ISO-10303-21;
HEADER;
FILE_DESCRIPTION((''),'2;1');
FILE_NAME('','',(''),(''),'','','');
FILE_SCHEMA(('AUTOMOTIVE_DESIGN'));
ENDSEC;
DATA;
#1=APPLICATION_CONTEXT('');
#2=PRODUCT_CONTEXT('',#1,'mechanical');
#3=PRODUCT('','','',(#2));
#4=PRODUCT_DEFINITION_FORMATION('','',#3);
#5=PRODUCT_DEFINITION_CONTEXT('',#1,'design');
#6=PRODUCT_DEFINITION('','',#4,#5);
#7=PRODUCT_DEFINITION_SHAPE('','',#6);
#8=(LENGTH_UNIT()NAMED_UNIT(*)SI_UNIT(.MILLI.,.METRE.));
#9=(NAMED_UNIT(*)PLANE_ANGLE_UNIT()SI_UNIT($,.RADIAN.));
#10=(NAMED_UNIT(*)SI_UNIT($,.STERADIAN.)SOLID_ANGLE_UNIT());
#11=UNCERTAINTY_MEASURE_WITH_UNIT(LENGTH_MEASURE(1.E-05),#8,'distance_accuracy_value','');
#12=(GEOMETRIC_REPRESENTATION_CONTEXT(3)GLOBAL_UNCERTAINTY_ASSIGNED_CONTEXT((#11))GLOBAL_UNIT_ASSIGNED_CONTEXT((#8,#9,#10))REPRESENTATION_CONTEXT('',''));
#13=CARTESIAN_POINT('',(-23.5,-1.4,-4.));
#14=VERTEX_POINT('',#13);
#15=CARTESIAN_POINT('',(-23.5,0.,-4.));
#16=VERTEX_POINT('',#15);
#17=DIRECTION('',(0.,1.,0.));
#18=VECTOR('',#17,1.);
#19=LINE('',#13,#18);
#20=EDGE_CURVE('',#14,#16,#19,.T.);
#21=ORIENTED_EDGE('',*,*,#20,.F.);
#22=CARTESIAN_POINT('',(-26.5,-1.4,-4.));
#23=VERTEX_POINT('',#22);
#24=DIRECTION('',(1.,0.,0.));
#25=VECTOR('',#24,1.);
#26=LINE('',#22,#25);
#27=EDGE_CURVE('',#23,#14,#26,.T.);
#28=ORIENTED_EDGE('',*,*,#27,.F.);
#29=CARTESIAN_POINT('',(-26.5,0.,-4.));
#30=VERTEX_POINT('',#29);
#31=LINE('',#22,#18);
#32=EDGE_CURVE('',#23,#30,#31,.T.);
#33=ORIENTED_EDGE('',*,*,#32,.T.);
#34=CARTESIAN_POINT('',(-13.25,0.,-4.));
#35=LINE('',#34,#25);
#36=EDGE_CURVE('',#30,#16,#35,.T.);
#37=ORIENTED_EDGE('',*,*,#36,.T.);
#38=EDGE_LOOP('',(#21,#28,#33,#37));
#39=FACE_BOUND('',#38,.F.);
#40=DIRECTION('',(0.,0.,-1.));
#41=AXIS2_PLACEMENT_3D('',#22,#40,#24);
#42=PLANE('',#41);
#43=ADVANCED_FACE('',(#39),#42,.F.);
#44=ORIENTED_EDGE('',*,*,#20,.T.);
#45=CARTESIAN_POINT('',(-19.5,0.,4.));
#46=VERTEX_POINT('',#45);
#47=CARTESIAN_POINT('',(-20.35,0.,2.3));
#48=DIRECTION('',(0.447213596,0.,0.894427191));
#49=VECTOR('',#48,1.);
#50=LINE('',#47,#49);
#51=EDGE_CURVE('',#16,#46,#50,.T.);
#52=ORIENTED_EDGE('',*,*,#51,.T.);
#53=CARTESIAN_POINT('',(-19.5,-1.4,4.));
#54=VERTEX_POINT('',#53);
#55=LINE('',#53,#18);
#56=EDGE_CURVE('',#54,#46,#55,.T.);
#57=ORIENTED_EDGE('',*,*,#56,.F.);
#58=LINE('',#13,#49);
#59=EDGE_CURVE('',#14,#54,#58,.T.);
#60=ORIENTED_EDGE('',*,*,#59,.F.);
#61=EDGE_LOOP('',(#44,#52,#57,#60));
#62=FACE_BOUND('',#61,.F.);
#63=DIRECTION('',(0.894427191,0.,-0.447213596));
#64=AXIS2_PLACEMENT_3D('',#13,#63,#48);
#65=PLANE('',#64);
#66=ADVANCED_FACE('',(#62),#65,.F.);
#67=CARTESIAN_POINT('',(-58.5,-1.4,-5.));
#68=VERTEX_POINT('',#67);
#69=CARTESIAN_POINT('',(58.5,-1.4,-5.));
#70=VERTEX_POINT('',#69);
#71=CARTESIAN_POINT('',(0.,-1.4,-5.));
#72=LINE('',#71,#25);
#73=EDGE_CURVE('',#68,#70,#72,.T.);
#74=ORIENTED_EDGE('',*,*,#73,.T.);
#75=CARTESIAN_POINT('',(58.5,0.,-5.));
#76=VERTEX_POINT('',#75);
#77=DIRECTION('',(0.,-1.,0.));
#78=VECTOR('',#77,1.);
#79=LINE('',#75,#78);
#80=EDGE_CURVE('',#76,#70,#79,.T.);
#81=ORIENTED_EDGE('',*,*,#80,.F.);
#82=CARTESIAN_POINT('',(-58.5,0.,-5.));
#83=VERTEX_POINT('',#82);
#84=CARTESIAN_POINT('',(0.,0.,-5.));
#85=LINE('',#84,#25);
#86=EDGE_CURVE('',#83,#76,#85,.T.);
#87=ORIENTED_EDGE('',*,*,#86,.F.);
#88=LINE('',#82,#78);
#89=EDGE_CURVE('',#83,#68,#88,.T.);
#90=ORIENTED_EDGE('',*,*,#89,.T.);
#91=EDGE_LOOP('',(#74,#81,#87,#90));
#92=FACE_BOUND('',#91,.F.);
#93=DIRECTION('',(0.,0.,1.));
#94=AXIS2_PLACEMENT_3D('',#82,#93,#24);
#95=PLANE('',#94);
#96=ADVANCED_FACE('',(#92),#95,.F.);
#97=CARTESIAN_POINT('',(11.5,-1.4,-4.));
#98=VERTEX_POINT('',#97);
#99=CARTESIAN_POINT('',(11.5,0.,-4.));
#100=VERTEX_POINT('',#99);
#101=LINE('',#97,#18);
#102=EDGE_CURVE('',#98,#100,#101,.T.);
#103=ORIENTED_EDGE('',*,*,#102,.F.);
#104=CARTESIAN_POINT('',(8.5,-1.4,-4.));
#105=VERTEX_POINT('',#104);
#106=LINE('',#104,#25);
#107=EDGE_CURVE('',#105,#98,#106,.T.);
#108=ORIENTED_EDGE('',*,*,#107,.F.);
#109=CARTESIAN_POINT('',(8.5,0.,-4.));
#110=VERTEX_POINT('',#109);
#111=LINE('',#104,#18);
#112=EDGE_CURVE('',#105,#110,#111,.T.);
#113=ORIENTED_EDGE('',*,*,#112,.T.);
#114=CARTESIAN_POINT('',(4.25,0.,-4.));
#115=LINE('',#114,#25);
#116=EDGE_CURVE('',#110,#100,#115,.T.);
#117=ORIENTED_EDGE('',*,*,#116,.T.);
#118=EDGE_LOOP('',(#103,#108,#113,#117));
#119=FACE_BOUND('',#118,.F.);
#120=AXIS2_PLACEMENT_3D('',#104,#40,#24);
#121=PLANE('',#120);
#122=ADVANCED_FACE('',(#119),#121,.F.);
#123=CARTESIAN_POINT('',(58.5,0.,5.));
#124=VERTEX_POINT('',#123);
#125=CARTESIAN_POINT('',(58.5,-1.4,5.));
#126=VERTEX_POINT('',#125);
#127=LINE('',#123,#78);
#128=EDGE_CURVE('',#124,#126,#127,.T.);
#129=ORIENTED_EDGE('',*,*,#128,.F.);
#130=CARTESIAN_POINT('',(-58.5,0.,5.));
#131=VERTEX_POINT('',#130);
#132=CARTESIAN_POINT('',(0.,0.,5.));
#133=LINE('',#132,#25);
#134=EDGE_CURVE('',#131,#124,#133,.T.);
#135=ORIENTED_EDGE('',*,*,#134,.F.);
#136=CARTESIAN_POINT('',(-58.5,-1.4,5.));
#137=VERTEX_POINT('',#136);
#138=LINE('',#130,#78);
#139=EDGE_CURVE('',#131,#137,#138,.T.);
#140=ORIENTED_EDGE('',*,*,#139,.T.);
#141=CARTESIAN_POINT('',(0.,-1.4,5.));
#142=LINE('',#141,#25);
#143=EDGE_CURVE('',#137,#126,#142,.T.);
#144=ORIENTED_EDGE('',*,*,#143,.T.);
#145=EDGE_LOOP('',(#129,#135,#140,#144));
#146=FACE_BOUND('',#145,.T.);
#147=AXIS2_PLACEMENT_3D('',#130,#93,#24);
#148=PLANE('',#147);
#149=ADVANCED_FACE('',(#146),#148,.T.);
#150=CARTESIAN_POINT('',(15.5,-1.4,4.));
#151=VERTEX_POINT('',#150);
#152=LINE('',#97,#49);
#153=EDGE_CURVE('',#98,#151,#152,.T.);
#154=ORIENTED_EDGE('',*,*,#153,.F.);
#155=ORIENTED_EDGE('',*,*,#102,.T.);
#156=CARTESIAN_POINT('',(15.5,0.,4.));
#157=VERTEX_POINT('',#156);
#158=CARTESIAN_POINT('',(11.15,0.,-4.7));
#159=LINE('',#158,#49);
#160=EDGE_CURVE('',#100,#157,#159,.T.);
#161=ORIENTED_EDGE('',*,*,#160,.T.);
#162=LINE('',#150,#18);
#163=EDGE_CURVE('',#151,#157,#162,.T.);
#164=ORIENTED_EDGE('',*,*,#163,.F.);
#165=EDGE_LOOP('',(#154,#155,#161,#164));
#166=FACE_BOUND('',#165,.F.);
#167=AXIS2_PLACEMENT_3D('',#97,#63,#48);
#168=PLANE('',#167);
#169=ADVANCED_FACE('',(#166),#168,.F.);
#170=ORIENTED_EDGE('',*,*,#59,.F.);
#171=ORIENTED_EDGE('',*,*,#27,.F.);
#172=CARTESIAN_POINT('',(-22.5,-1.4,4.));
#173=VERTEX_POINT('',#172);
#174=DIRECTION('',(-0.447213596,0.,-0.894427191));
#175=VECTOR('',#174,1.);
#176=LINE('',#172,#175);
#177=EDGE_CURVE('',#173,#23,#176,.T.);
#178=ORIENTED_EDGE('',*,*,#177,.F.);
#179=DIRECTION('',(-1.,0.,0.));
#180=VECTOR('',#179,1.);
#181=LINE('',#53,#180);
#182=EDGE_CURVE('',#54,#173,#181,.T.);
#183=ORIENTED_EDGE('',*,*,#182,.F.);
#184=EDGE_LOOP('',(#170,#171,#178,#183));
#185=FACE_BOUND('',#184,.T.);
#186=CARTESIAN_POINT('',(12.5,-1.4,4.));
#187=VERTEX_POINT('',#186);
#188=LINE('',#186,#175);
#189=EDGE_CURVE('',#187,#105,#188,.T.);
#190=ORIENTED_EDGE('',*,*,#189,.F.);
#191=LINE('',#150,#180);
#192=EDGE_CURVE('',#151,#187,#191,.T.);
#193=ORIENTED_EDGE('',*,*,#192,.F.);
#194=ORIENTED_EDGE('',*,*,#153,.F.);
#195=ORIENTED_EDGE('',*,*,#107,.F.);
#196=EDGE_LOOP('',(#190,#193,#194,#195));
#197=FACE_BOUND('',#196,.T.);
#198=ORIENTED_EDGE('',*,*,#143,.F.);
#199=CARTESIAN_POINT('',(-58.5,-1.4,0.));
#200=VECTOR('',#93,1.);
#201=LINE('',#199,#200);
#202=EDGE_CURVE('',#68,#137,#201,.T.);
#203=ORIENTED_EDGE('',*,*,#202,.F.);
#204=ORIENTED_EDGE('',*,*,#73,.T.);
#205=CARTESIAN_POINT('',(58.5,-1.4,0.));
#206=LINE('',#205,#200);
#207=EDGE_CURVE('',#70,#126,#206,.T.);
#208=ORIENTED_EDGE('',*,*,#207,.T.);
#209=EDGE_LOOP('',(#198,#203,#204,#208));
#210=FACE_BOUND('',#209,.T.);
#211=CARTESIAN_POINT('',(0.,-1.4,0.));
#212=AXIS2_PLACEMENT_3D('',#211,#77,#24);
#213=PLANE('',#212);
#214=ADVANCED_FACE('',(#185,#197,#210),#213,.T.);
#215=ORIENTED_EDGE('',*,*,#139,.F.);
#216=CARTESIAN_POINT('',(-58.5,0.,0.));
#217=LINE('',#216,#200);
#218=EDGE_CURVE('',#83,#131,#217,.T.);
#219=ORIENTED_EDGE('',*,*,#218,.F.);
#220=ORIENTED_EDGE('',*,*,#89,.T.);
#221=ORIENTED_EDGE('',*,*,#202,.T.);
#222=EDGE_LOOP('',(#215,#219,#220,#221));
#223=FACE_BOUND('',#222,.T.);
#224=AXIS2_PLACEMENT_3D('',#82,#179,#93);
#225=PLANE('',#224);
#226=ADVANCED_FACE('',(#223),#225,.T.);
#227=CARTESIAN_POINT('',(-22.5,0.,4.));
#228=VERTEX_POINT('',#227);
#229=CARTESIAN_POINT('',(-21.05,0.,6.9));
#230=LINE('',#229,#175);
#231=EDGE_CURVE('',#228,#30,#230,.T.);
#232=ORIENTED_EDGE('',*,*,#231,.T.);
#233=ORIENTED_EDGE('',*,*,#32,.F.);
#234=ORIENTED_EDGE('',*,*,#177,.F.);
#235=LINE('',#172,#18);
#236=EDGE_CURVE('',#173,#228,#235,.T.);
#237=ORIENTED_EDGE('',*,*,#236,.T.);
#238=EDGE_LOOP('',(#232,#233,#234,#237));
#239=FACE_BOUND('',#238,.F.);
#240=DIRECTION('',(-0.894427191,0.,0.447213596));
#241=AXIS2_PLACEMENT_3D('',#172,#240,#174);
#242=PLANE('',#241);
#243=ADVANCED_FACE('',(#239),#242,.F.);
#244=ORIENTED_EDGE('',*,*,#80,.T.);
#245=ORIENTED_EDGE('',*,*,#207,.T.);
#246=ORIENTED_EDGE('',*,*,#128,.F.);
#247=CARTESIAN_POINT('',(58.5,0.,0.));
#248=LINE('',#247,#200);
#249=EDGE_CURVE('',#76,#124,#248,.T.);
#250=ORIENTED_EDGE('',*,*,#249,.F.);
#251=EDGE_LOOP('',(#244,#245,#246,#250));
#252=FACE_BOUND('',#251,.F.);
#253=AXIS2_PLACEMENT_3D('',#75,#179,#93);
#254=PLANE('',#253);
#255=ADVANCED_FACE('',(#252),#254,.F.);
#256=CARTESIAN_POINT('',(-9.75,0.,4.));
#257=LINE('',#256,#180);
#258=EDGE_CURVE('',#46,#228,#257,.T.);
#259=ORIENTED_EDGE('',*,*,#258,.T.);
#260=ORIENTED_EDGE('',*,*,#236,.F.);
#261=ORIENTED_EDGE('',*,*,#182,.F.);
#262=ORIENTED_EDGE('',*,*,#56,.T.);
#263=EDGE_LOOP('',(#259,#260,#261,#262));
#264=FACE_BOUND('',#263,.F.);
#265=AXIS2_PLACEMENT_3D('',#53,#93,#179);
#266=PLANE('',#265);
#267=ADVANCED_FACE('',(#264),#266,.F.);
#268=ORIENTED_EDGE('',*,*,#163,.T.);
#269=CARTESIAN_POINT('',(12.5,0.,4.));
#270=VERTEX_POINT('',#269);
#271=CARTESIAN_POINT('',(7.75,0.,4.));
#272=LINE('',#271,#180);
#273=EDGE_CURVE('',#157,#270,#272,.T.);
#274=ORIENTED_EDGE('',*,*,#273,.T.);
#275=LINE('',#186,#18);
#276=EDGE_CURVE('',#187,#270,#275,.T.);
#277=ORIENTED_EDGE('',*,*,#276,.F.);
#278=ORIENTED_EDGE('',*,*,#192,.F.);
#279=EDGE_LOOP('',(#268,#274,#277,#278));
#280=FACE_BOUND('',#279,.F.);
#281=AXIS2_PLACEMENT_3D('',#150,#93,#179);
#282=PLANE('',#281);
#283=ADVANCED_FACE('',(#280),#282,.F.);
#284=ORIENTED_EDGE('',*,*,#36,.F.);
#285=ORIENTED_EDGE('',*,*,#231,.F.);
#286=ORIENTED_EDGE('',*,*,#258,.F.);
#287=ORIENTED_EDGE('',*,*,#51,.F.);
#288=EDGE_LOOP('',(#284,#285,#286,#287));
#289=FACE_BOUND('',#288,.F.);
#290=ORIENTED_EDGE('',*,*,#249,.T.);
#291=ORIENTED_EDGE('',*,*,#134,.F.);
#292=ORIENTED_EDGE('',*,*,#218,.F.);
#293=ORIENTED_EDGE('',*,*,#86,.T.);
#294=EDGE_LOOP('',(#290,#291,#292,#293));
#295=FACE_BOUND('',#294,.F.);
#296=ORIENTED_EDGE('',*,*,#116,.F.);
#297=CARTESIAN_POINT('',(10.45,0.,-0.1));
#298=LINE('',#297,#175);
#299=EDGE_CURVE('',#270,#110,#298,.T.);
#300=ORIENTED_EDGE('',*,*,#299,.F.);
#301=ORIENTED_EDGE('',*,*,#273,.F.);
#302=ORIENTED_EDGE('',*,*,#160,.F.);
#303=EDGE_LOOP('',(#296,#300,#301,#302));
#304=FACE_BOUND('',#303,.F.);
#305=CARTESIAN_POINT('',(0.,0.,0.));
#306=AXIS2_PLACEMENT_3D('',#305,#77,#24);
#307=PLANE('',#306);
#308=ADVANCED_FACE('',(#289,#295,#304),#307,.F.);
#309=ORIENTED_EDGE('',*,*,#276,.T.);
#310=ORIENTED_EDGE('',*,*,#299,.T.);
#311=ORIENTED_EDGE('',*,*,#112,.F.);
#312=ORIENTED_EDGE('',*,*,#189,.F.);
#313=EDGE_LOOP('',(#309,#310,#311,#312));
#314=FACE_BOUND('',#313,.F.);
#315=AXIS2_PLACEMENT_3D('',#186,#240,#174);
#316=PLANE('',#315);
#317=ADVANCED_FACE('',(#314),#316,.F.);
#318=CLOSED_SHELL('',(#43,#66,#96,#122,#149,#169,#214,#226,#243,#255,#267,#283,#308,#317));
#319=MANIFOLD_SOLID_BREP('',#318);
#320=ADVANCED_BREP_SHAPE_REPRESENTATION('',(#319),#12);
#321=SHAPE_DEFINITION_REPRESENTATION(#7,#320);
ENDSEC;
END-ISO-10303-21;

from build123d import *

# Parameters (mm, degrees)
F0_W     = 117
F0_H     = 10
F1_DEPTH = 1.4
F3_DEPTH = 25


with BuildPart() as f1:
    # F0 (on Front) → F1 (new body)
    with BuildSketch(Plane.XZ):
        Rectangle(F0_W, F0_H)
    extrude(amount=F1_DEPTH)

    # F2 (on face) → F3 (cut)
    with BuildSketch(Plane.XZ.offset(1.4)):
        Polygon((-22.5, 4), (-26.5, -4), (-23.5, -4), (-19.5, 4), align=None)
        Polygon((12.5, 4), (8.5, -4), (11.5, -4), (15.5, 4), align=None)
    extrude(amount=-F3_DEPTH, mode=Mode.SUBTRACT)


solid = f1.part
